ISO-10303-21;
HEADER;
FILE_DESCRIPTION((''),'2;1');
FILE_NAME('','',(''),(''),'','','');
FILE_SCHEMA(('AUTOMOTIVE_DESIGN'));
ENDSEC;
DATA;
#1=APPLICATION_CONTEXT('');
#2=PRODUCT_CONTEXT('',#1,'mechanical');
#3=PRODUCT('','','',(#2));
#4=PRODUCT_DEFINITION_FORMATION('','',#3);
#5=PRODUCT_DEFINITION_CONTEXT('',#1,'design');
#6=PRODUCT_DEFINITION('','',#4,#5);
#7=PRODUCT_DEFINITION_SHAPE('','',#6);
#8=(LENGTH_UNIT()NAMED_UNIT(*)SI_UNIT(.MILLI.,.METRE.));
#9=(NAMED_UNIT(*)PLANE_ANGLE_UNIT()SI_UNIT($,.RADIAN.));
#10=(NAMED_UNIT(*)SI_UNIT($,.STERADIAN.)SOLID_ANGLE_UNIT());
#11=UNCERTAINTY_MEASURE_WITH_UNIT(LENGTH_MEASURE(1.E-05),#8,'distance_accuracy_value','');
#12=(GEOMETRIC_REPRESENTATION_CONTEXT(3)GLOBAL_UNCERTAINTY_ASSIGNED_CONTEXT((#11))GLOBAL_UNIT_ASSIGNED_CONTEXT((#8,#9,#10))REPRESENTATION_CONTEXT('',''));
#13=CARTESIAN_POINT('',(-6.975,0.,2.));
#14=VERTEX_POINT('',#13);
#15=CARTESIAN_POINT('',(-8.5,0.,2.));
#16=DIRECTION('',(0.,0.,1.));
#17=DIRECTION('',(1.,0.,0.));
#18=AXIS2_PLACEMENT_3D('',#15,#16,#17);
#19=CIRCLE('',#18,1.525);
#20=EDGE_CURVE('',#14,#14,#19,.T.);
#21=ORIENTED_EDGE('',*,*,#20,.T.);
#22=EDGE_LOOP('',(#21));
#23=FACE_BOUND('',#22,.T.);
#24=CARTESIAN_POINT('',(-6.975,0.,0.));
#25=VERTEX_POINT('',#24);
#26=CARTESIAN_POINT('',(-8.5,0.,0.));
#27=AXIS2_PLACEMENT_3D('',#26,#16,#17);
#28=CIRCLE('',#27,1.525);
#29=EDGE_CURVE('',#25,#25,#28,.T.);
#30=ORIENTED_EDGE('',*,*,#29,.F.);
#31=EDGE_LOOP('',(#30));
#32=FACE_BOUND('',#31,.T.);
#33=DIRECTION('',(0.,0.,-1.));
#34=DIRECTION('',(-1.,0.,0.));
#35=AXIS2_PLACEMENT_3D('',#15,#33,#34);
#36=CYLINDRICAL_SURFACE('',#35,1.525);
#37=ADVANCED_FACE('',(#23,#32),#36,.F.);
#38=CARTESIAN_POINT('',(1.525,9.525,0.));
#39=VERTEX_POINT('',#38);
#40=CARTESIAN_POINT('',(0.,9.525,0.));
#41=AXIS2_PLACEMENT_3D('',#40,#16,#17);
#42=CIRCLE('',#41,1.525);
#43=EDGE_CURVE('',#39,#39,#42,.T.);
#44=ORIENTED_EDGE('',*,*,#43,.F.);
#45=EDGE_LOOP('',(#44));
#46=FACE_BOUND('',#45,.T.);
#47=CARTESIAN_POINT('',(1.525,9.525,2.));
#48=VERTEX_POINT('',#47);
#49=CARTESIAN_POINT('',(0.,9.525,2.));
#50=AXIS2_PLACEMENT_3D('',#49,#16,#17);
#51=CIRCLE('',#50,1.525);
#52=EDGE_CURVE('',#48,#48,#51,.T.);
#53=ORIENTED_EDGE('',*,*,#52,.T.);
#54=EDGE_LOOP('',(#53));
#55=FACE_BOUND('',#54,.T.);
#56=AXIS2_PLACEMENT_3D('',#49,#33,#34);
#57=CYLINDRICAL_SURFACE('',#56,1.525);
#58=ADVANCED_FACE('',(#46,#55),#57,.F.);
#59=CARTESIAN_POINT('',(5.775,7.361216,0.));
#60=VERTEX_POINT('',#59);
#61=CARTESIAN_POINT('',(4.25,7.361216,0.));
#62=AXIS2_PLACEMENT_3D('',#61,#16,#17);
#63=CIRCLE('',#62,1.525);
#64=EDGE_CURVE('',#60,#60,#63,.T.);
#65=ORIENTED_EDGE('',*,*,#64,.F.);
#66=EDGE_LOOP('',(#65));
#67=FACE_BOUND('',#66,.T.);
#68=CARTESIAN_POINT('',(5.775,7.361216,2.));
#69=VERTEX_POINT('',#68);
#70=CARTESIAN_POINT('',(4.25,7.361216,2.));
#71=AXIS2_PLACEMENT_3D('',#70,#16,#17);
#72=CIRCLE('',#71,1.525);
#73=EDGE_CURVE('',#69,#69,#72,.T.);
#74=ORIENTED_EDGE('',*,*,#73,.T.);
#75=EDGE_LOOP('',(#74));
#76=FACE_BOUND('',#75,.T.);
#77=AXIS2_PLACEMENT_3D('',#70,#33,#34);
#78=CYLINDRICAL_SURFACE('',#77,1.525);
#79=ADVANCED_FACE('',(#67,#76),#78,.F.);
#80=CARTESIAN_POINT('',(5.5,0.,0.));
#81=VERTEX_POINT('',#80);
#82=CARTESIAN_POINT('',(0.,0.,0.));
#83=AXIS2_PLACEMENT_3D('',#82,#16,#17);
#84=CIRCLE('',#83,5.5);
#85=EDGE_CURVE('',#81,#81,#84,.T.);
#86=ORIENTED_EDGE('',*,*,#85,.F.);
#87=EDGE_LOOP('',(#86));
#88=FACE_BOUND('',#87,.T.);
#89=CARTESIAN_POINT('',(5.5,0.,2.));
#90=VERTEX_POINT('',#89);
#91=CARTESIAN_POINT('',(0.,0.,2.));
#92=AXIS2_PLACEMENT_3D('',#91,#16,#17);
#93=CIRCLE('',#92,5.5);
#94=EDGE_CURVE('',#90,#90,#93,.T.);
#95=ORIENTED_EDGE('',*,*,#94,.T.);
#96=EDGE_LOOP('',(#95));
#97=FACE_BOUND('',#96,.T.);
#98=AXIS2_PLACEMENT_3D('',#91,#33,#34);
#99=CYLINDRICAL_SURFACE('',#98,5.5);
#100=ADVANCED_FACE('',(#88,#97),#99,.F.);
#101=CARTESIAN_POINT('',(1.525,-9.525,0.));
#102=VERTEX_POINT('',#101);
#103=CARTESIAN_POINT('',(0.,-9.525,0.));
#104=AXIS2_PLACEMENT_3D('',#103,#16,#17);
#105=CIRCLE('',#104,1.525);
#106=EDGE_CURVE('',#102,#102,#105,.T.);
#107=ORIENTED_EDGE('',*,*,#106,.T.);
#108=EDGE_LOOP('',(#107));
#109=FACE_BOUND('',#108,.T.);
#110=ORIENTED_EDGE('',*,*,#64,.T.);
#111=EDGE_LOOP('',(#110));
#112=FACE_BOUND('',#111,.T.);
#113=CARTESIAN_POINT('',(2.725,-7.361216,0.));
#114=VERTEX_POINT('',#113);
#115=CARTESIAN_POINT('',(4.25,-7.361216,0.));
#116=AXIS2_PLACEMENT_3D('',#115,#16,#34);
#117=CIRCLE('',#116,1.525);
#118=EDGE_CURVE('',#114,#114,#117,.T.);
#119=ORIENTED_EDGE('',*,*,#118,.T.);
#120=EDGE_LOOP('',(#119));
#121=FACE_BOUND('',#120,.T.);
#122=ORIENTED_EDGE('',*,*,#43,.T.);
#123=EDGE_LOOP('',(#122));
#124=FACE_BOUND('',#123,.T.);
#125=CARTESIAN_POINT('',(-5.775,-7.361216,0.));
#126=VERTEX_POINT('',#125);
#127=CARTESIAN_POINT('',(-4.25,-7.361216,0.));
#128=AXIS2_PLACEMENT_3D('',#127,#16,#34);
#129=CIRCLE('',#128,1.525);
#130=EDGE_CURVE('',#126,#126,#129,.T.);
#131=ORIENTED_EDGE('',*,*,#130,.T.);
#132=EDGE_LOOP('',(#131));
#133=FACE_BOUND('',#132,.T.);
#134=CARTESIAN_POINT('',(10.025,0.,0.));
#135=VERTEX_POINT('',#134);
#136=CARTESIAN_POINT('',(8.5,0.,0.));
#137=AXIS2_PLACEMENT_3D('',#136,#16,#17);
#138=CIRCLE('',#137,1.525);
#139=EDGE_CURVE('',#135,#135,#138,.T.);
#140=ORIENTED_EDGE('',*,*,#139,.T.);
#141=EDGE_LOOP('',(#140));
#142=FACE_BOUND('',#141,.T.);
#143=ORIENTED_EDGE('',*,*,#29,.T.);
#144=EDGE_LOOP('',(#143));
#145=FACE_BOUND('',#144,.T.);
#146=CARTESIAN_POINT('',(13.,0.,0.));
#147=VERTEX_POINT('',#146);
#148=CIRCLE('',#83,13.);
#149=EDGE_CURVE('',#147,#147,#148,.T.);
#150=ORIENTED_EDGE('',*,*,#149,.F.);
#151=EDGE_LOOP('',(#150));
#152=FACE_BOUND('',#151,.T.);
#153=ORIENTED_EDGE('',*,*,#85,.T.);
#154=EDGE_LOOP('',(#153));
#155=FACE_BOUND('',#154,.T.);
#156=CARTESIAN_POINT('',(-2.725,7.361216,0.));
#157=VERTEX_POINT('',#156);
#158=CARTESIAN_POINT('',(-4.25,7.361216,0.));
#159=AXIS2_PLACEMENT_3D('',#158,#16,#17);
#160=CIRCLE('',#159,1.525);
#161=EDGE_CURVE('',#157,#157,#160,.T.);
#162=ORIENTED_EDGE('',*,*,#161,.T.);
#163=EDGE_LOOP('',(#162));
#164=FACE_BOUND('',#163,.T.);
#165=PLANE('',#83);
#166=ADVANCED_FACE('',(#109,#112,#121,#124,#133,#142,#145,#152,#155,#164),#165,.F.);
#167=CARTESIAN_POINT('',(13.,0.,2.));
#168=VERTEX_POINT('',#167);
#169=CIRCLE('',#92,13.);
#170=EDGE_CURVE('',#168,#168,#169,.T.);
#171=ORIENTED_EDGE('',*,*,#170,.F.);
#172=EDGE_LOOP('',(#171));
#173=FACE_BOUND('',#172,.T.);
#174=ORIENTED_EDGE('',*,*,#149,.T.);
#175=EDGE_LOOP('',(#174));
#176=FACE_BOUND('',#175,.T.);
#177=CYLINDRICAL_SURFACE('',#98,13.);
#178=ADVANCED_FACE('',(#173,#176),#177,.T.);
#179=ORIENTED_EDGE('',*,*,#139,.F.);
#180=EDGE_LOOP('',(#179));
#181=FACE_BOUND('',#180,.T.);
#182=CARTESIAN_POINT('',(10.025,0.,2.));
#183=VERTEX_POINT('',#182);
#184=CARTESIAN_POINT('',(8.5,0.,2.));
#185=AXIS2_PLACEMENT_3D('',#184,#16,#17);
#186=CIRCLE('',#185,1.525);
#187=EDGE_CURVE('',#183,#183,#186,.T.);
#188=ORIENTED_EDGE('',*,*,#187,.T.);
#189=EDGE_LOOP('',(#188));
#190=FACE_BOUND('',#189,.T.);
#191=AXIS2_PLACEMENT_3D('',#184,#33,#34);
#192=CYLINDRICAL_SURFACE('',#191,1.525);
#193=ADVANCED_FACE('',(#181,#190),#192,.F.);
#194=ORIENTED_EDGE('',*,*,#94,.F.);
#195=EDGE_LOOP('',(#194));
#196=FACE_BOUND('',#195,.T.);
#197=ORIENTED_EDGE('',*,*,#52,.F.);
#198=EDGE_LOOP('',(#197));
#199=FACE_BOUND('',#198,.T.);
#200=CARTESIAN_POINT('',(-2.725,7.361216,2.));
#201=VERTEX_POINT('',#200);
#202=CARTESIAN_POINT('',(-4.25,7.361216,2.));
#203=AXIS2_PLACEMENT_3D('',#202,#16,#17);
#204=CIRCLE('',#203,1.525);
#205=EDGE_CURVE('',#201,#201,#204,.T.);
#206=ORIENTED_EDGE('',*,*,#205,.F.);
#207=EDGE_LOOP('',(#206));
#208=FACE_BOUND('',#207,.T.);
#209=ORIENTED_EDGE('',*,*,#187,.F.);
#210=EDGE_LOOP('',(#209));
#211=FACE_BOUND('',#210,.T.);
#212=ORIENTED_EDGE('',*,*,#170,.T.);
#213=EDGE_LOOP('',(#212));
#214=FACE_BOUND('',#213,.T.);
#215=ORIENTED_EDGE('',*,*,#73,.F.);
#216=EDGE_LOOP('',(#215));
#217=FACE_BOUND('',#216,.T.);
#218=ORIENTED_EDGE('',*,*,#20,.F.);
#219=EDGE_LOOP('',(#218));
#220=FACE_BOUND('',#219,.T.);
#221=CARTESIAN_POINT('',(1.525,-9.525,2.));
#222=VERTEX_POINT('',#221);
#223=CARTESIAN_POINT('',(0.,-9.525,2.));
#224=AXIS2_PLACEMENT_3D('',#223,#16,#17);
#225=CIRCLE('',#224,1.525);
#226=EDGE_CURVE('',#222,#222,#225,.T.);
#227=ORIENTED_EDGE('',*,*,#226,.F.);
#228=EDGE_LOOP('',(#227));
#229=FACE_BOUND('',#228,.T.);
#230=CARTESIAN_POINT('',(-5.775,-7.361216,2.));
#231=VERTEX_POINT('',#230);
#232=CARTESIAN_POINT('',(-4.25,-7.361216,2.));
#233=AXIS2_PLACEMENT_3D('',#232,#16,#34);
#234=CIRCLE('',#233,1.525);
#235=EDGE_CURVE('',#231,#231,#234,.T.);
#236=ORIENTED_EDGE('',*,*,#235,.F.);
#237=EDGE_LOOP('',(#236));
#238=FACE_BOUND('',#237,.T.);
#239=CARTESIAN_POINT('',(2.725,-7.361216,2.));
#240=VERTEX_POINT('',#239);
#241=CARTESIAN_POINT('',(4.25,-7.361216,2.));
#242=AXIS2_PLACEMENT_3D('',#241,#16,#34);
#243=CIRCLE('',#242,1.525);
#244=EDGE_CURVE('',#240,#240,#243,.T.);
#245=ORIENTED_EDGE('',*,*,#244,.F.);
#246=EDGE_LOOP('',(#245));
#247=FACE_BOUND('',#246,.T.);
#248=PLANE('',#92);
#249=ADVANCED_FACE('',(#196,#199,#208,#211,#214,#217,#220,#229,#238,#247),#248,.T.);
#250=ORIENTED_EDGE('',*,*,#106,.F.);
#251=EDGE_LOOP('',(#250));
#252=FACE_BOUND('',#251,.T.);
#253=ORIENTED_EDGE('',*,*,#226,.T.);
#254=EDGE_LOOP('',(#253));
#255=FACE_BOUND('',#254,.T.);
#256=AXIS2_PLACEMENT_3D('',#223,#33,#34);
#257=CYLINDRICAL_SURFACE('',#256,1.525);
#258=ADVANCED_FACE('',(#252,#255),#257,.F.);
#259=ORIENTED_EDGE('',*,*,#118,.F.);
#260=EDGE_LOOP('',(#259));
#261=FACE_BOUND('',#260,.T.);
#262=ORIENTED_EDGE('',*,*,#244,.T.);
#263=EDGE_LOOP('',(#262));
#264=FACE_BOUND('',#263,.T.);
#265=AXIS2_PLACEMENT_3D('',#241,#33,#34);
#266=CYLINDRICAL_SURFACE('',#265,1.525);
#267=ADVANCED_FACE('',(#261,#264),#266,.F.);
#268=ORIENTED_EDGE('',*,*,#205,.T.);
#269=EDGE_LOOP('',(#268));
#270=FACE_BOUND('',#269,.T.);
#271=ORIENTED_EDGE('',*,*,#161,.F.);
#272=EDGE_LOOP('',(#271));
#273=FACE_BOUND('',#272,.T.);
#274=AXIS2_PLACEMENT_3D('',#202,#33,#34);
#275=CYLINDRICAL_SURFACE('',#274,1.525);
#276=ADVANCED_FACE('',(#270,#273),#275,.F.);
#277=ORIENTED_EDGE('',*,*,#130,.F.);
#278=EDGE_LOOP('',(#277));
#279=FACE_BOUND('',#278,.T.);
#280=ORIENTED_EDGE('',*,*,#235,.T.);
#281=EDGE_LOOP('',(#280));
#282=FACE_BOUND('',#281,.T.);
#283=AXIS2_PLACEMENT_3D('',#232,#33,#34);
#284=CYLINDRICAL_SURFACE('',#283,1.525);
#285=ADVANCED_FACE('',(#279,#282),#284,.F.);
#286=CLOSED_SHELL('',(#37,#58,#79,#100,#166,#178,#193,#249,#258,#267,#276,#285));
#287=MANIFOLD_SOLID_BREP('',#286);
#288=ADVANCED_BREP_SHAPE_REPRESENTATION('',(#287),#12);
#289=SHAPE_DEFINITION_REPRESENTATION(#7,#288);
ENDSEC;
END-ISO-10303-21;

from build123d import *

# Parameters (mm, degrees)
SKETCH2_R           = 13
SKETCH2_R_2         = 5.5
SKETCH2_R_3         = 1.525
BOSS_EXTRUDE1_DEPTH = 2


with BuildPart() as part:
    # Sketch2 → Boss-Extrude1 (new body)
    with BuildSketch(Plane(origin=(0, 0, 0), x_dir=(0, 1, 0), z_dir=(0, 0, 1))):
        Circle(SKETCH2_R)
        Circle(SKETCH2_R_2, mode=Mode.SUBTRACT)
        with Locations((0, 8.5)):
            Circle(SKETCH2_R_3, mode=Mode.SUBTRACT)
        with Locations((0, -8.5)):
            Circle(SKETCH2_R_3, mode=Mode.SUBTRACT)
        with Locations((7.361215932, 4.25)):
            Circle(SKETCH2_R_3, mode=Mode.SUBTRACT)
        with Locations((7.361215932, -4.25)):
            Circle(SKETCH2_R_3, mode=Mode.SUBTRACT)
        with Locations((-7.361215932, -4.25)):
            Circle(SKETCH2_R_3, mode=Mode.SUBTRACT)
        with Locations((-7.361215932, 4.25)):
            Circle(SKETCH2_R_3, mode=Mode.SUBTRACT)
        with Locations((-9.525, 0)):
            Circle(SKETCH2_R_3, mode=Mode.SUBTRACT)
        with Locations((9.525, 0)):
            Circle(SKETCH2_R_3, mode=Mode.SUBTRACT)
    extrude(amount=BOSS_EXTRUDE1_DEPTH)


solid = part.part
